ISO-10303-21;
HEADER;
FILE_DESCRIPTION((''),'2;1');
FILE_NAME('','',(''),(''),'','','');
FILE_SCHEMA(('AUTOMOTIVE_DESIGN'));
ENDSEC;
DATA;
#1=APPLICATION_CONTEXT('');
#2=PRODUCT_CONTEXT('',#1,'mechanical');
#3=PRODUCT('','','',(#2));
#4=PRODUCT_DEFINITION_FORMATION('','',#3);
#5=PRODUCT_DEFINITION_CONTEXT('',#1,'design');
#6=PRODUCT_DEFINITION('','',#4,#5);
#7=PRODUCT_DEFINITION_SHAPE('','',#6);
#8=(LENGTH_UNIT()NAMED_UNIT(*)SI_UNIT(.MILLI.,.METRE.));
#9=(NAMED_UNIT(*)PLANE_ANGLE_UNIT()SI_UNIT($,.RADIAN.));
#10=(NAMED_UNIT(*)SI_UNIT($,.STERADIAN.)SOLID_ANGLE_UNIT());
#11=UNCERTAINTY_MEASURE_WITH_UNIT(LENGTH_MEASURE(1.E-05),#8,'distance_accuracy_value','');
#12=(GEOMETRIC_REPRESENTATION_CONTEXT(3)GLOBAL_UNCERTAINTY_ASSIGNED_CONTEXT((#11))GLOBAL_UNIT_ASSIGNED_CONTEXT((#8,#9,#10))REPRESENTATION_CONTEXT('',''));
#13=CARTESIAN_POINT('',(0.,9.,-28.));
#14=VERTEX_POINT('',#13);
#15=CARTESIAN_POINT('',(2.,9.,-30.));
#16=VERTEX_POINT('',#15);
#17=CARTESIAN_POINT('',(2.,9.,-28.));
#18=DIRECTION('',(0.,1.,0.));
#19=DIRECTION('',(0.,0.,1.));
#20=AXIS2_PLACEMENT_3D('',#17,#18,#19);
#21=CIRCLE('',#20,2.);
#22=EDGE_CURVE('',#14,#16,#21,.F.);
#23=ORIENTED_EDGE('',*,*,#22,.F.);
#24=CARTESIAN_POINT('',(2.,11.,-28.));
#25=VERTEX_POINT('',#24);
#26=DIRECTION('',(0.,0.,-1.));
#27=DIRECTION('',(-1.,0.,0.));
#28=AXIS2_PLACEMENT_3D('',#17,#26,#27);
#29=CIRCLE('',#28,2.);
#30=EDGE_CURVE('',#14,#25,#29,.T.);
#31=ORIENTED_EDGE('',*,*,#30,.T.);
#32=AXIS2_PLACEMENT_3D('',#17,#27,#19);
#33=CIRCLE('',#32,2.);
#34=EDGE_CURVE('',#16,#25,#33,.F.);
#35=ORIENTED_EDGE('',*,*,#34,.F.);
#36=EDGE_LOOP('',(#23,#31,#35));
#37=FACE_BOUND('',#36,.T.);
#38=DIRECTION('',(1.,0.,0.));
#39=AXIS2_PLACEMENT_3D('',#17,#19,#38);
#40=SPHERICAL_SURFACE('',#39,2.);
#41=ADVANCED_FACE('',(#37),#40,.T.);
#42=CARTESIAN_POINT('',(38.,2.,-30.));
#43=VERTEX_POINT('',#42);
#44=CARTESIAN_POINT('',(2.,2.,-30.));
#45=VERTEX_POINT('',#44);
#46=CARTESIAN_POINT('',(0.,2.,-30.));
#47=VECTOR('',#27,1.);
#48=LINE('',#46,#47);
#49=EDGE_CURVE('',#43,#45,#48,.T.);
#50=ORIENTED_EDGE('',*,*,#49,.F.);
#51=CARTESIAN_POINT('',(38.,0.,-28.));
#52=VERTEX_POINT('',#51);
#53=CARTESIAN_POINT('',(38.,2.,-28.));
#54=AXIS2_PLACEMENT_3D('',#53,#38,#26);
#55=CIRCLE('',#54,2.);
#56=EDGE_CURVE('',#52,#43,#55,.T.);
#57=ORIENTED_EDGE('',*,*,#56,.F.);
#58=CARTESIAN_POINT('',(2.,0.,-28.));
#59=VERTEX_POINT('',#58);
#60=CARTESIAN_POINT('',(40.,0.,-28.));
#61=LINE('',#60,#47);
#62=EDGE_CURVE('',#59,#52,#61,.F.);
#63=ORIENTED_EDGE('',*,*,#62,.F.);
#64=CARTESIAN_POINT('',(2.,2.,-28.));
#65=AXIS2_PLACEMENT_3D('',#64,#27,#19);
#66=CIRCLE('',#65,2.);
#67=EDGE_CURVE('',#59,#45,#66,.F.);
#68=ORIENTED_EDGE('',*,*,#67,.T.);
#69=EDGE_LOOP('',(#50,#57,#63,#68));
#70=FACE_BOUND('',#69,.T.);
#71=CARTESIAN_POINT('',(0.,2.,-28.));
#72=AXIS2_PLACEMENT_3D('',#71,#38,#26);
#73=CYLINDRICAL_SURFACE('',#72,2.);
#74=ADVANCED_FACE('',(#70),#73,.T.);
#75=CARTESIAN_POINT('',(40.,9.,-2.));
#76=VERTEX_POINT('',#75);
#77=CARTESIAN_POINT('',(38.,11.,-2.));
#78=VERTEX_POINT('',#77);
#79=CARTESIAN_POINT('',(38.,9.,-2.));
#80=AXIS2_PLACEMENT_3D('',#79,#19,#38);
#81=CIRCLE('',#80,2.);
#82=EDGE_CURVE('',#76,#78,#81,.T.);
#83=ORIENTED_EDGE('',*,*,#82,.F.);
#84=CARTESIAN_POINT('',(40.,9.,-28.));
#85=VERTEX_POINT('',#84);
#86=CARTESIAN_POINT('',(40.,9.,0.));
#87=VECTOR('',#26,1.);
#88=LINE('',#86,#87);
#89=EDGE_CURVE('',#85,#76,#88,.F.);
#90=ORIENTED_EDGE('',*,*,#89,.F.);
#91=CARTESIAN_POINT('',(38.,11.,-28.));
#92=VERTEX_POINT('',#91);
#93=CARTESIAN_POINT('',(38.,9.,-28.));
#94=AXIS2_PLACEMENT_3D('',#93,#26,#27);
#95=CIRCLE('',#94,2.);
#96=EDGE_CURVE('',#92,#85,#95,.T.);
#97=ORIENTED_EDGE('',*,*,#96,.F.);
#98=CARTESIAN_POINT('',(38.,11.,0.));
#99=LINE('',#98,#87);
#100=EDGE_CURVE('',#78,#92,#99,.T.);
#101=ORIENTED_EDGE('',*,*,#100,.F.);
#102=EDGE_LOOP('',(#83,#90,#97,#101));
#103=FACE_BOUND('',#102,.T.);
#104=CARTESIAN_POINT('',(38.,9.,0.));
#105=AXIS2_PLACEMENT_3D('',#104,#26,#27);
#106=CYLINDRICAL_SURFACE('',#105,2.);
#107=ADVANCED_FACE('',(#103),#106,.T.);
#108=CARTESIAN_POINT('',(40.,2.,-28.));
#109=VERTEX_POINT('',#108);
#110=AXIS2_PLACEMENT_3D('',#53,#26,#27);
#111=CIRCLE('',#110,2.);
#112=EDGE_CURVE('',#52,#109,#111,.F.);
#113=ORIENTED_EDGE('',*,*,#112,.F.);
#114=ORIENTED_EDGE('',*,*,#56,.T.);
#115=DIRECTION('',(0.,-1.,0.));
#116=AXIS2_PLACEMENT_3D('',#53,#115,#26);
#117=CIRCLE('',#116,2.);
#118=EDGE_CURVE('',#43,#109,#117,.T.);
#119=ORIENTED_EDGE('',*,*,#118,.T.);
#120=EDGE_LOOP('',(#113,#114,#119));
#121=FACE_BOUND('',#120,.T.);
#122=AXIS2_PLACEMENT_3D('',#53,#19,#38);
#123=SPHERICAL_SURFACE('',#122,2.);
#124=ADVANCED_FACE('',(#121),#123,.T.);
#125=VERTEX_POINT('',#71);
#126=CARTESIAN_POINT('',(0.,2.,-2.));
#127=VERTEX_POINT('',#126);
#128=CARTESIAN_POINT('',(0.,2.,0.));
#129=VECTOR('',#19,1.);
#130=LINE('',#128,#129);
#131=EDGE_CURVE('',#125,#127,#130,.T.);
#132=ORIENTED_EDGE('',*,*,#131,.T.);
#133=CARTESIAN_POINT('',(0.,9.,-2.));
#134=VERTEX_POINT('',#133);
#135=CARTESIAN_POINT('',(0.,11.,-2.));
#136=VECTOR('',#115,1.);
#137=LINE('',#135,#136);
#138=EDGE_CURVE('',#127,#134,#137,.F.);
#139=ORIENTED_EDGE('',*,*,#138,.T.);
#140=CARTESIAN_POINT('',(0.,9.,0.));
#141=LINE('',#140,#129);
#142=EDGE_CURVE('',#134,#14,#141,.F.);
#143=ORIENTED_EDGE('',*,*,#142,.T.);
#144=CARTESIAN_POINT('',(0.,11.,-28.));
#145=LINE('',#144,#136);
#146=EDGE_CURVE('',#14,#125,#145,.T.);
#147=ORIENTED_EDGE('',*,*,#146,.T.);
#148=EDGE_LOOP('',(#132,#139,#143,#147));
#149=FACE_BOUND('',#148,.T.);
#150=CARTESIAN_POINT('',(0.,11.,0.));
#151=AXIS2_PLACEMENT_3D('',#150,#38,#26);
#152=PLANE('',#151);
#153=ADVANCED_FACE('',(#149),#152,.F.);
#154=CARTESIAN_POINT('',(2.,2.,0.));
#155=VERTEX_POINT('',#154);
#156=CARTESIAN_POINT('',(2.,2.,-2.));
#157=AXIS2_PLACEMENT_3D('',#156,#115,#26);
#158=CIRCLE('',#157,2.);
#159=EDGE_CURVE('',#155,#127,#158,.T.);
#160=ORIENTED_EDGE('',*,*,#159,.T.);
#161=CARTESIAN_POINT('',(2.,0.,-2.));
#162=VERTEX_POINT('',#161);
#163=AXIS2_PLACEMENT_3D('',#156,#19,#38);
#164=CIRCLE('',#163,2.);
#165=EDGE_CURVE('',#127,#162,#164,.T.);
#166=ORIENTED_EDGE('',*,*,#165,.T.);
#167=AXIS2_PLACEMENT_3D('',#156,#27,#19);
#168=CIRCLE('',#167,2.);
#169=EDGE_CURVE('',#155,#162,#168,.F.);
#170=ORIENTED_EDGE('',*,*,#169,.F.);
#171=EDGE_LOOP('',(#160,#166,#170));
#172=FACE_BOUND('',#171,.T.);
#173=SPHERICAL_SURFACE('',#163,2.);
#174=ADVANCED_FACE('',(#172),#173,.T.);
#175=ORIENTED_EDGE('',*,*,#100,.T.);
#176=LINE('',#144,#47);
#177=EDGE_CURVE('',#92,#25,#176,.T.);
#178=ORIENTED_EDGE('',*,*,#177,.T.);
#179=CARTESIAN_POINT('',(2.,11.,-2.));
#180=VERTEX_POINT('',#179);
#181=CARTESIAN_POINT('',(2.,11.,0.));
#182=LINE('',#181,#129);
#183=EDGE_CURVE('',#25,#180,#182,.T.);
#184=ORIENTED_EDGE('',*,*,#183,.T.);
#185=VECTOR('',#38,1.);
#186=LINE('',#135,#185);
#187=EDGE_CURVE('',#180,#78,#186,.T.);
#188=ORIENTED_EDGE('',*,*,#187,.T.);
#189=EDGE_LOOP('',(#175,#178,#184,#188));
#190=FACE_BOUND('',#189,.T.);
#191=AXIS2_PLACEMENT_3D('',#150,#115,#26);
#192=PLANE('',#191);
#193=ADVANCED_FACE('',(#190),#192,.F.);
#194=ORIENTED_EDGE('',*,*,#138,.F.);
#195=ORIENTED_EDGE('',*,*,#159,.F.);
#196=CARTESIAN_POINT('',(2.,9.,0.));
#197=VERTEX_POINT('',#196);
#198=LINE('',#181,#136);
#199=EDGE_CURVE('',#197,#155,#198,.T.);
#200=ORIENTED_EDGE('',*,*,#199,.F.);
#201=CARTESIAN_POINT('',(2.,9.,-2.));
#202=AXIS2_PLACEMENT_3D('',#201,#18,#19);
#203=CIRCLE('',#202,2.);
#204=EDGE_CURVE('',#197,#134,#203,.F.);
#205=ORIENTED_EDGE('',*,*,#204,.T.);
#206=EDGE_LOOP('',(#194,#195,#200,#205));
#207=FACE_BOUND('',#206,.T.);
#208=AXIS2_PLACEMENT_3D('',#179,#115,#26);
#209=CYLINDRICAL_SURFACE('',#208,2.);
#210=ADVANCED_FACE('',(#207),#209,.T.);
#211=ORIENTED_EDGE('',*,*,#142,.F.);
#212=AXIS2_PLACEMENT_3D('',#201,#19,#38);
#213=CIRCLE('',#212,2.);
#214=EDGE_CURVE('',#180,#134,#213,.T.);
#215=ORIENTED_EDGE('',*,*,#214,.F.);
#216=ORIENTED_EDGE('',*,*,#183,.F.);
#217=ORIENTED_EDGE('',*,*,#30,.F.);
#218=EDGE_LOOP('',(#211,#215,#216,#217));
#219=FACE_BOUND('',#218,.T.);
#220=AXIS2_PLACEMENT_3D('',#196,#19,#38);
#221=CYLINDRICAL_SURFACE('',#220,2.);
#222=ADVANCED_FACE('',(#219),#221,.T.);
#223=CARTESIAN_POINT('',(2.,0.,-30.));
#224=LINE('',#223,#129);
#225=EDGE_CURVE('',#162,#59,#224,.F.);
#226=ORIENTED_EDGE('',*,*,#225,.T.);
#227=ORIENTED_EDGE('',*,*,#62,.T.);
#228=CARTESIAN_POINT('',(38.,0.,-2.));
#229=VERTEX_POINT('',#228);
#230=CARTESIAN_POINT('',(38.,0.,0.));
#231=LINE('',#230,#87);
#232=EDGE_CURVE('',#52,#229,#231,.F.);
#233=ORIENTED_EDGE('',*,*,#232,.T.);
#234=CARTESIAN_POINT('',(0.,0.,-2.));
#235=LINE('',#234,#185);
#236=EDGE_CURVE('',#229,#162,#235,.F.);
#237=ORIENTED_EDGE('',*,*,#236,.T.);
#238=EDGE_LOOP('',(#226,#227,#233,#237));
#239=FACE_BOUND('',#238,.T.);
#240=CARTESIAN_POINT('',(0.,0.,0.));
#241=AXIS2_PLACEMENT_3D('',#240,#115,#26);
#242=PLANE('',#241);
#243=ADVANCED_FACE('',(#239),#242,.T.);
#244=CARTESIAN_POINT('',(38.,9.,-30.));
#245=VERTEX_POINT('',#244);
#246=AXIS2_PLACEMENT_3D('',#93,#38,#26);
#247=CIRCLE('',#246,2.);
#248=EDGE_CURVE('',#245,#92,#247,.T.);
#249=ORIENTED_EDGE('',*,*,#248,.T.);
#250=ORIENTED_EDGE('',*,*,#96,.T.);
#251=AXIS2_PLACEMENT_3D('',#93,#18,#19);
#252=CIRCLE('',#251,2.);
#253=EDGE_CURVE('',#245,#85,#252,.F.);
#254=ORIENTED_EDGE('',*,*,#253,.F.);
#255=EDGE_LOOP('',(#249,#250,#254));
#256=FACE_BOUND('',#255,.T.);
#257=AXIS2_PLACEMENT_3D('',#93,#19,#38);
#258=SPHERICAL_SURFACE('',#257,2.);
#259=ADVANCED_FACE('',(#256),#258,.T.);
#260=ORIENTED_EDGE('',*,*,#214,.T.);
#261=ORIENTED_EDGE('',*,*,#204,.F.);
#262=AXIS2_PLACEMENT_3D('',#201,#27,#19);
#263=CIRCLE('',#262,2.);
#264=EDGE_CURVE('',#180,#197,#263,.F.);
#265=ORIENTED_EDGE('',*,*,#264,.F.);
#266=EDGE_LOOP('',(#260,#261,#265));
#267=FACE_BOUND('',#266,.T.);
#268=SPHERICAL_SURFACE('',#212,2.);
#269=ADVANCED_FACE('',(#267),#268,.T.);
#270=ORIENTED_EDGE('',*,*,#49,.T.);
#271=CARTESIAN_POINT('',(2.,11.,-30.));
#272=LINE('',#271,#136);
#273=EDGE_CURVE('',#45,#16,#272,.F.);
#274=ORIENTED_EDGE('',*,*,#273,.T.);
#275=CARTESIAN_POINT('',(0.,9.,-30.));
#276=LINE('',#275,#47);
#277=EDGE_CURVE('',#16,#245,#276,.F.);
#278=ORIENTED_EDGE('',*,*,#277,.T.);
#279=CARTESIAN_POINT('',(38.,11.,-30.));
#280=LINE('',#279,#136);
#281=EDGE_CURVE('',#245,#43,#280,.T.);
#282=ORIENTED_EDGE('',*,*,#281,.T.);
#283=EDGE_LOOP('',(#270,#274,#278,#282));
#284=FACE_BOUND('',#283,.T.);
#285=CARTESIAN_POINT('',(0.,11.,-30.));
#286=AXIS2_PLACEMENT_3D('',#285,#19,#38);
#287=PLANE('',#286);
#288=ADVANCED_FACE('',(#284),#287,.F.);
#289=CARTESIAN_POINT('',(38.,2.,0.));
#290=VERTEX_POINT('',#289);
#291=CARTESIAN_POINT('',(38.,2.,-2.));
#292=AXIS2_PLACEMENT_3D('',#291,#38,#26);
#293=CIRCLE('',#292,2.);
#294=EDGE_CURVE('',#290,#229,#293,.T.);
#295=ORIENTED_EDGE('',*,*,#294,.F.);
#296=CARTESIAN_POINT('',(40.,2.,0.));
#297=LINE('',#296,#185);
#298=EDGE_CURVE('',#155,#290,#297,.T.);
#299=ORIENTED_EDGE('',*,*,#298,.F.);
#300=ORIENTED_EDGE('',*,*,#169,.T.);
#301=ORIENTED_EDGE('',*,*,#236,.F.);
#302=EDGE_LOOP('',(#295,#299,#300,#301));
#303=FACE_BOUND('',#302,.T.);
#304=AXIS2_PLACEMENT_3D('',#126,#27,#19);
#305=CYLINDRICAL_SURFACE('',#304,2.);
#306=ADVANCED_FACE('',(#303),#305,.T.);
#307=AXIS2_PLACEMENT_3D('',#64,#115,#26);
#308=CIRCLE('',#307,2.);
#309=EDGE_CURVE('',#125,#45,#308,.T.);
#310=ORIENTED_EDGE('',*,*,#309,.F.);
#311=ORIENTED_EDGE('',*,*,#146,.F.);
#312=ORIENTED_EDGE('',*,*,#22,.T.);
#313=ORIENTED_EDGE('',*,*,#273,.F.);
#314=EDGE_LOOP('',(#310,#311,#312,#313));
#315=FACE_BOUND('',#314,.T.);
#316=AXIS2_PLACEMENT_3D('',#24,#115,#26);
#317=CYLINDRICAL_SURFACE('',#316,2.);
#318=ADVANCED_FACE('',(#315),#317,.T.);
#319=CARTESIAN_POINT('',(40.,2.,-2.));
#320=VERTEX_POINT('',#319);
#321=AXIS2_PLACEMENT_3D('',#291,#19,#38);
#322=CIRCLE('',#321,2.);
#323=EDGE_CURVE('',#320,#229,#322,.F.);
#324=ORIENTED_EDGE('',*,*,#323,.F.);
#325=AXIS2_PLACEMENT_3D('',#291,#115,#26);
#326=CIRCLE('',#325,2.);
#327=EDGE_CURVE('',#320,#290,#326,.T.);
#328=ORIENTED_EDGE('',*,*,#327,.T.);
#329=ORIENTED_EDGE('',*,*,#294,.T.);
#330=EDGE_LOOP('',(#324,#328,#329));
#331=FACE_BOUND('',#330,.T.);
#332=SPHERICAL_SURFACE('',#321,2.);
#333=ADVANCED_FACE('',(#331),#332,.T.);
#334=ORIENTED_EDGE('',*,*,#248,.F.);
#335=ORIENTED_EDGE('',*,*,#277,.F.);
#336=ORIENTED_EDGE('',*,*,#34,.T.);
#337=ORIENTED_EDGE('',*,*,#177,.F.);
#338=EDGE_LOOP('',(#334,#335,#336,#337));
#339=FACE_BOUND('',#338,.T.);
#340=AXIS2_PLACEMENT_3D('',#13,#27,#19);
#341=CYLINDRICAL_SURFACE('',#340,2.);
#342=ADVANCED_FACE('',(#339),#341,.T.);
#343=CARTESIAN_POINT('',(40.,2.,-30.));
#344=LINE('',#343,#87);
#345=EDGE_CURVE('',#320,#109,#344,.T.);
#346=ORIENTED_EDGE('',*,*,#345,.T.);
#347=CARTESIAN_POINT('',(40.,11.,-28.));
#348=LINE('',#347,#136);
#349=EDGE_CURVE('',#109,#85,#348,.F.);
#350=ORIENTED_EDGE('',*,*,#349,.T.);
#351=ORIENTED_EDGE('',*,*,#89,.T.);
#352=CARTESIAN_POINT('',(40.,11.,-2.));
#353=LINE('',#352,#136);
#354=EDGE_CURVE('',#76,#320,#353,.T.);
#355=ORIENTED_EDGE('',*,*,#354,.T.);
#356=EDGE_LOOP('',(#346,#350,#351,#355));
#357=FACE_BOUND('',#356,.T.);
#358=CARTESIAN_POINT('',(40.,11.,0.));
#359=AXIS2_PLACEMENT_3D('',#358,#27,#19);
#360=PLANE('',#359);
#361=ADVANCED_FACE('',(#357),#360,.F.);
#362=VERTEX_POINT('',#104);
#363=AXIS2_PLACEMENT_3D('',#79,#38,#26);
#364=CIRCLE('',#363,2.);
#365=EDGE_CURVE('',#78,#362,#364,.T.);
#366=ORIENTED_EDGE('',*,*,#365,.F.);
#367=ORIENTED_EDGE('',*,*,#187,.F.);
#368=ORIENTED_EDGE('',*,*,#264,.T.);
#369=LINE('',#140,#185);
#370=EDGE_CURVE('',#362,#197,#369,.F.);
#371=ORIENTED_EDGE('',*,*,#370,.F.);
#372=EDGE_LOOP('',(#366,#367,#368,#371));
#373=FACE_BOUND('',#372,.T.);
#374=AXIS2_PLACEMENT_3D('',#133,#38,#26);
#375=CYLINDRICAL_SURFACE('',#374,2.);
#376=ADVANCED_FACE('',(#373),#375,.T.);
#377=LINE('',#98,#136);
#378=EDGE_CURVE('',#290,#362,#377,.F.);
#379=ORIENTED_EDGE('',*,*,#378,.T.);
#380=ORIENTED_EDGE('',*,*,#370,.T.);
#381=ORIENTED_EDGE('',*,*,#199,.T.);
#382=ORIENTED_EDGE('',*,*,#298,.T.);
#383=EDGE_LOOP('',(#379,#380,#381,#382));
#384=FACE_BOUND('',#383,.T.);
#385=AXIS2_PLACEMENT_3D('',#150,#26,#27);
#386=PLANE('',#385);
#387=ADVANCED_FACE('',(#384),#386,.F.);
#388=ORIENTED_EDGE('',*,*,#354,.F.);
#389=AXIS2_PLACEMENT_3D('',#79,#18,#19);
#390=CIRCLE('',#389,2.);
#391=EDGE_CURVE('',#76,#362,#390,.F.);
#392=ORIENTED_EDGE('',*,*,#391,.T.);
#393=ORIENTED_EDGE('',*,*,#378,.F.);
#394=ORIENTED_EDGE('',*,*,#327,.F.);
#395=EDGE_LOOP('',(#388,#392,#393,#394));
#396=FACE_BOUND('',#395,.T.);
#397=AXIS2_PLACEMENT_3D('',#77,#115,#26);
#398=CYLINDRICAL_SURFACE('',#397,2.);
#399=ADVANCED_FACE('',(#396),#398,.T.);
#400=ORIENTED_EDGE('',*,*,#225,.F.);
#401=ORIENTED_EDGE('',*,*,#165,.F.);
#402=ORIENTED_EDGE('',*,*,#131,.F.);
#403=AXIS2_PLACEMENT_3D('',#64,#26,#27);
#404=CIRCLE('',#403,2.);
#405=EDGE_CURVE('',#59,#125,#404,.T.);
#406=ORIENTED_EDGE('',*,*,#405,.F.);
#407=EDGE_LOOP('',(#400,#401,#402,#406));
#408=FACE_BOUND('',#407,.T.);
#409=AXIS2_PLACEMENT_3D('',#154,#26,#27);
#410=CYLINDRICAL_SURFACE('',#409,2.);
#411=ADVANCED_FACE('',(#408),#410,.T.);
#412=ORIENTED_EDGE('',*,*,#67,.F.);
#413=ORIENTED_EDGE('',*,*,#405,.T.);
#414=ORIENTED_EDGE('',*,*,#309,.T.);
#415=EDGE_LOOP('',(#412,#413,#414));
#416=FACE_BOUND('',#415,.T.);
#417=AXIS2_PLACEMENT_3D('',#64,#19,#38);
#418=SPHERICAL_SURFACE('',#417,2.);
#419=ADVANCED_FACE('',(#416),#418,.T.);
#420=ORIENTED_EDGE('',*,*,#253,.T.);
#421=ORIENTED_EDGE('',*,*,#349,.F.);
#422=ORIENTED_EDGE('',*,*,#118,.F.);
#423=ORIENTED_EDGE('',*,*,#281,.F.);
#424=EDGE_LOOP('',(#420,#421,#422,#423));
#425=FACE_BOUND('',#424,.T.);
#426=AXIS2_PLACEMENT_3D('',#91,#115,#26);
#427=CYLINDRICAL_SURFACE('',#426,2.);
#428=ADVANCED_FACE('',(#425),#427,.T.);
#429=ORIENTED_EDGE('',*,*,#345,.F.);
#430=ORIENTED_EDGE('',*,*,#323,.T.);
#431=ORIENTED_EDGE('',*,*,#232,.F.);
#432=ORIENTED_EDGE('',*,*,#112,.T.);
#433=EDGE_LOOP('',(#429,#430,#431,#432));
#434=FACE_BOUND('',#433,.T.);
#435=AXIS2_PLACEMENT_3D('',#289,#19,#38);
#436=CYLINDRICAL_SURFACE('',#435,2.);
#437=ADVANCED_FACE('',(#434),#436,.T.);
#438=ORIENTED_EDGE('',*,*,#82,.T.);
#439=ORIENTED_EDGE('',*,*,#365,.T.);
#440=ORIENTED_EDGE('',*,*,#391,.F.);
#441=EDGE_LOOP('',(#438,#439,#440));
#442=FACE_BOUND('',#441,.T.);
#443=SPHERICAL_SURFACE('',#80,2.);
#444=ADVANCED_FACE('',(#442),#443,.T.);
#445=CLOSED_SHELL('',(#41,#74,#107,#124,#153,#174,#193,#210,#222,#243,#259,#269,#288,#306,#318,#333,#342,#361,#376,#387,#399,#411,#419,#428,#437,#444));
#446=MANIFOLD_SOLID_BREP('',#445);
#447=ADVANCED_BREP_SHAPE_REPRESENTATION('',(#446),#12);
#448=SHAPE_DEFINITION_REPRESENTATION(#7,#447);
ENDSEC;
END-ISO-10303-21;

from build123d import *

# Parameters (mm, degrees)
SKETCH_1_W      = 40
SKETCH_1_H      = 30
EXTRUDE_1_DEPTH = 11
FILLET_1_R      = 2


with BuildPart() as part:
    # 草图1 → 凸台-拉伸1 (new body)
    with BuildSketch(Plane(origin=(0, 0, 0), x_dir=(1, 0, 0), z_dir=(0, 1, 0))):
        with Locations((20, 15)):
            Rectangle(SKETCH_1_W, SKETCH_1_H)
    extrude(amount=EXTRUDE_1_DEPTH)

    # 圆角1
    fillet_1_edges = [part.edges().sort_by_distance(p)[0] for p in [
        (40, 11, -15),
        (20, 11, -30),
        (0, 11, -15),
        (20, 0, -30),
        (40, 0, -15),
        (20, 0, 0),
        (0, 0, -15),
        (0, 5.5, -30),
        (40, 5.5, -30),
        (40, 5.5, 0),
        (0, 5.5, 0),
        (20, 11, 0),
    ]]
    fillet(fillet_1_edges, radius=FILLET_1_R)


solid = part.part
